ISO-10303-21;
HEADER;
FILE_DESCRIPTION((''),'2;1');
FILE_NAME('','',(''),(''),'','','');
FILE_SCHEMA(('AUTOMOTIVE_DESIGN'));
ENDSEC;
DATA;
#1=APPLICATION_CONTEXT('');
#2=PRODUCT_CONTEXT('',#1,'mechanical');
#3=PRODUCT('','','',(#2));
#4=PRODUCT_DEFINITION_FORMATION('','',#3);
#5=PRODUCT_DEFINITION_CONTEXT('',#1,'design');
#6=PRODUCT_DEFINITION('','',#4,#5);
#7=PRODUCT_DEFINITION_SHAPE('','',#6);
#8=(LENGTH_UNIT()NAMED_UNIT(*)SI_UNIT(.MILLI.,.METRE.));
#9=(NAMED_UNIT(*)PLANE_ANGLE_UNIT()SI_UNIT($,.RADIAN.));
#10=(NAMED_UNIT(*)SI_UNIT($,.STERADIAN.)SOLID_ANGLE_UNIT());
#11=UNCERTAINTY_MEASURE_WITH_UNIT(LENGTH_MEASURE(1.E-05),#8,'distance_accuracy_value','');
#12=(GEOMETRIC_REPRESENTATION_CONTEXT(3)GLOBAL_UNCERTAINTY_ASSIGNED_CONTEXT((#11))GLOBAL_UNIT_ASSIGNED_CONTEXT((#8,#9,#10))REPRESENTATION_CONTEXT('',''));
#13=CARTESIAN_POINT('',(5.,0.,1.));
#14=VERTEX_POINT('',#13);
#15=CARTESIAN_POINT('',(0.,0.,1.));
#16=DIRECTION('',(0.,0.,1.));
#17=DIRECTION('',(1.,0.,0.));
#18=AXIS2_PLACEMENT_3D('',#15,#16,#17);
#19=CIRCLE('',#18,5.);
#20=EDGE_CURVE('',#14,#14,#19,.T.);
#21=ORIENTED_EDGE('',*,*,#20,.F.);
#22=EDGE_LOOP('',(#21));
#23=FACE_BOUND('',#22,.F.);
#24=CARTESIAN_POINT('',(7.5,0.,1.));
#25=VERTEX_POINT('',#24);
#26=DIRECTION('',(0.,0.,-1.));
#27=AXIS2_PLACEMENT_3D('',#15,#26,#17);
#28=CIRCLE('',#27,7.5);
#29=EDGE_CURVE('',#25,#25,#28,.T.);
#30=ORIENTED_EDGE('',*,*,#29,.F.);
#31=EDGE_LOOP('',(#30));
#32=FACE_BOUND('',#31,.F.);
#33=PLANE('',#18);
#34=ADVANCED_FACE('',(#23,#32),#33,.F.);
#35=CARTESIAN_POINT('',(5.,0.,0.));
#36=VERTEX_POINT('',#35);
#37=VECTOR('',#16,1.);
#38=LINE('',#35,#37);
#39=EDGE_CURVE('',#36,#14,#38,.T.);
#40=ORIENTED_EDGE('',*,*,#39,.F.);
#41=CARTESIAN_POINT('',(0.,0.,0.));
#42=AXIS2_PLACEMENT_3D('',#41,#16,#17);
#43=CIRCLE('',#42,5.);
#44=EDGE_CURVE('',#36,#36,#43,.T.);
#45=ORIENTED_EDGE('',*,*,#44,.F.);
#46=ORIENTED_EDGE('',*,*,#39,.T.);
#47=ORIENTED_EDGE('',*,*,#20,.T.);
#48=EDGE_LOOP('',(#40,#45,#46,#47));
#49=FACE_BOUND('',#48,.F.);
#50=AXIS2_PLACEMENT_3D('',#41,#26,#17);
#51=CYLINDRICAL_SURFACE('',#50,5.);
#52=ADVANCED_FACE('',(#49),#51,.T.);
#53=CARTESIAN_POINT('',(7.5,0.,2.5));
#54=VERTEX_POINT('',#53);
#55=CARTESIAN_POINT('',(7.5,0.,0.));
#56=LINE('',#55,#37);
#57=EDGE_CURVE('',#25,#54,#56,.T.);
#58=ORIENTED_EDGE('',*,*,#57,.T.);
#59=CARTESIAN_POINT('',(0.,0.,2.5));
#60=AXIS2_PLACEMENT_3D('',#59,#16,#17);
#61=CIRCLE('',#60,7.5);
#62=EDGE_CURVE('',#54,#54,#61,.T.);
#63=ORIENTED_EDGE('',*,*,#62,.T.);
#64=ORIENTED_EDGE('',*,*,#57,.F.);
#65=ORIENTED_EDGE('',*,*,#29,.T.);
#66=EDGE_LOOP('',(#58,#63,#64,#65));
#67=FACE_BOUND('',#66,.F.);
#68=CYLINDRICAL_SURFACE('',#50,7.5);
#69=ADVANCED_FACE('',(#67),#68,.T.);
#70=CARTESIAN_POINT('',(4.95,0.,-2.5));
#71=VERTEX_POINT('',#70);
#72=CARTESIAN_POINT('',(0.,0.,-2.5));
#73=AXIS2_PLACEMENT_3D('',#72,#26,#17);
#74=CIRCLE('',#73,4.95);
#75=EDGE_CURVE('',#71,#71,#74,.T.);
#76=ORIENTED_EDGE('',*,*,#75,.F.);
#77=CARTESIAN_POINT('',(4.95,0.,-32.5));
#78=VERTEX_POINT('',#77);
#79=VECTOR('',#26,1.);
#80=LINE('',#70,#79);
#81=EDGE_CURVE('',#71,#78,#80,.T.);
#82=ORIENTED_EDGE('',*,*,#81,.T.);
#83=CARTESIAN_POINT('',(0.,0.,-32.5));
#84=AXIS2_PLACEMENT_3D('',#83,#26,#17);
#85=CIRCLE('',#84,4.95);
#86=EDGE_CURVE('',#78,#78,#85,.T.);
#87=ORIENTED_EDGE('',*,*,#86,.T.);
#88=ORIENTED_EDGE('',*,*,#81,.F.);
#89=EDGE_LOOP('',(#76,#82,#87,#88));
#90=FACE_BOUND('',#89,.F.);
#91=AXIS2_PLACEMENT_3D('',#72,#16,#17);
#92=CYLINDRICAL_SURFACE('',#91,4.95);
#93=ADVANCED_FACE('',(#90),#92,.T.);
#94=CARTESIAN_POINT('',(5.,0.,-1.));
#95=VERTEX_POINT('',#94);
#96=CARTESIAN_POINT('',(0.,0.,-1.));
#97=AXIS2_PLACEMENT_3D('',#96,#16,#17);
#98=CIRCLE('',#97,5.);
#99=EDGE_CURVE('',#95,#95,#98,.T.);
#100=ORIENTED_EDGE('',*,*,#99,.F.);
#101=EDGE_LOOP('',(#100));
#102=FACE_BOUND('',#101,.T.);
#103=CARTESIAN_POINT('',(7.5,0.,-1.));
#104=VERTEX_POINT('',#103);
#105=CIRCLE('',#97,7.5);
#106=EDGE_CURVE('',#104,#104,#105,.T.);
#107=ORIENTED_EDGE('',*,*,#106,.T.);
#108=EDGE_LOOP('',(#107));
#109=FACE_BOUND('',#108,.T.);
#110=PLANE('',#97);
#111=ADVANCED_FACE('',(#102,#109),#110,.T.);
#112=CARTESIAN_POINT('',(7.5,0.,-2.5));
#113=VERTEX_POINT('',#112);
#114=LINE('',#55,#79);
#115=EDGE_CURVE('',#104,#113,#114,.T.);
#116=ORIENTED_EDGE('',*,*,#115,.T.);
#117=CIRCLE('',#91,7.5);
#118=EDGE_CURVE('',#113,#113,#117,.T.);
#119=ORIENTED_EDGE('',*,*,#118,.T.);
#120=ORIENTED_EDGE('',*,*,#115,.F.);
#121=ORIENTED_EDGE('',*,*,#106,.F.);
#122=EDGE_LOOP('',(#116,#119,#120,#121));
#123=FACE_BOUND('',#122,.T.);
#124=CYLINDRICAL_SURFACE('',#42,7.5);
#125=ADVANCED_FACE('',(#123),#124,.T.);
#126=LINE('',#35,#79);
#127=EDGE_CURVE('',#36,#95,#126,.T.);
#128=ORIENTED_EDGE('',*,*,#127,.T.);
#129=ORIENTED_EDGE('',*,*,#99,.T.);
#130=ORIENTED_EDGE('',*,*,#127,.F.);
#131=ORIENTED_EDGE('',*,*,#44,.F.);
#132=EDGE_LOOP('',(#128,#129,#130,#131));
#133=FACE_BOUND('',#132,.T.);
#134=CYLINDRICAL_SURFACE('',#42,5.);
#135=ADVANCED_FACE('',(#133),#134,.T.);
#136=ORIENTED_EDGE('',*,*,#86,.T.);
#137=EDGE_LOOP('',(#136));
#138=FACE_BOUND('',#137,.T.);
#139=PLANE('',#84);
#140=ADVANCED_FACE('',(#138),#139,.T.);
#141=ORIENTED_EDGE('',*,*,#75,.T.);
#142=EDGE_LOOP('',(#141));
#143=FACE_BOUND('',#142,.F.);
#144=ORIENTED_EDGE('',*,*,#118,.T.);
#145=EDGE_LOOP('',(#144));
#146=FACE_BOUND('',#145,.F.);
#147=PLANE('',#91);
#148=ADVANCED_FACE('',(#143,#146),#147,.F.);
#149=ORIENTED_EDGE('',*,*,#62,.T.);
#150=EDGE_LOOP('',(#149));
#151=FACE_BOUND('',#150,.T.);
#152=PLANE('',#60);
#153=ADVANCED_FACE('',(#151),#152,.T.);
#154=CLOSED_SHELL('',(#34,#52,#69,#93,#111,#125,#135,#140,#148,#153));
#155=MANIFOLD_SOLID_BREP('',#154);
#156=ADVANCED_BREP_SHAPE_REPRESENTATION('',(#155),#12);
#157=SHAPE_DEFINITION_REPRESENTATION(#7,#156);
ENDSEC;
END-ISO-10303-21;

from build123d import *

# Parameters (mm, degrees)
F0_R          = 7.5
F1_DEPTH      = 2.5
F1_DEPTH_BACK = 2.5
F2_R          = 4.95
F3_DEPTH      = 30
F4_R          = 7.55
F4_R_2        = 5
F5_DEPTH      = 1
F5_DEPTH_BACK = 1


with BuildPart() as f1:
    # F0 (on Top) → F1 (new body, two sides)
    with BuildSketch(Plane.XY) as f1_sk:
        Circle(F0_R)
    extrude(amount=-F1_DEPTH)
    extrude(f1_sk.sketch, amount=F1_DEPTH_BACK)

    # F2 (on face) → F3 (join)
    with BuildSketch(Plane(origin=(0, 0, -2.5), x_dir=(1, 0, 0), z_dir=(0, 0, -1))):
        Circle(F2_R)
    extrude(amount=F3_DEPTH)

    # F4 (on Top) → F5 (cut, two sides)
    with BuildSketch(Plane.XY) as f5_sk:
        Circle(F4_R)
        Circle(F4_R_2, mode=Mode.SUBTRACT)
    extrude(amount=-F5_DEPTH, mode=Mode.SUBTRACT)
    extrude(f5_sk.sketch, amount=F5_DEPTH_BACK, mode=Mode.SUBTRACT)


solid = f1.part
